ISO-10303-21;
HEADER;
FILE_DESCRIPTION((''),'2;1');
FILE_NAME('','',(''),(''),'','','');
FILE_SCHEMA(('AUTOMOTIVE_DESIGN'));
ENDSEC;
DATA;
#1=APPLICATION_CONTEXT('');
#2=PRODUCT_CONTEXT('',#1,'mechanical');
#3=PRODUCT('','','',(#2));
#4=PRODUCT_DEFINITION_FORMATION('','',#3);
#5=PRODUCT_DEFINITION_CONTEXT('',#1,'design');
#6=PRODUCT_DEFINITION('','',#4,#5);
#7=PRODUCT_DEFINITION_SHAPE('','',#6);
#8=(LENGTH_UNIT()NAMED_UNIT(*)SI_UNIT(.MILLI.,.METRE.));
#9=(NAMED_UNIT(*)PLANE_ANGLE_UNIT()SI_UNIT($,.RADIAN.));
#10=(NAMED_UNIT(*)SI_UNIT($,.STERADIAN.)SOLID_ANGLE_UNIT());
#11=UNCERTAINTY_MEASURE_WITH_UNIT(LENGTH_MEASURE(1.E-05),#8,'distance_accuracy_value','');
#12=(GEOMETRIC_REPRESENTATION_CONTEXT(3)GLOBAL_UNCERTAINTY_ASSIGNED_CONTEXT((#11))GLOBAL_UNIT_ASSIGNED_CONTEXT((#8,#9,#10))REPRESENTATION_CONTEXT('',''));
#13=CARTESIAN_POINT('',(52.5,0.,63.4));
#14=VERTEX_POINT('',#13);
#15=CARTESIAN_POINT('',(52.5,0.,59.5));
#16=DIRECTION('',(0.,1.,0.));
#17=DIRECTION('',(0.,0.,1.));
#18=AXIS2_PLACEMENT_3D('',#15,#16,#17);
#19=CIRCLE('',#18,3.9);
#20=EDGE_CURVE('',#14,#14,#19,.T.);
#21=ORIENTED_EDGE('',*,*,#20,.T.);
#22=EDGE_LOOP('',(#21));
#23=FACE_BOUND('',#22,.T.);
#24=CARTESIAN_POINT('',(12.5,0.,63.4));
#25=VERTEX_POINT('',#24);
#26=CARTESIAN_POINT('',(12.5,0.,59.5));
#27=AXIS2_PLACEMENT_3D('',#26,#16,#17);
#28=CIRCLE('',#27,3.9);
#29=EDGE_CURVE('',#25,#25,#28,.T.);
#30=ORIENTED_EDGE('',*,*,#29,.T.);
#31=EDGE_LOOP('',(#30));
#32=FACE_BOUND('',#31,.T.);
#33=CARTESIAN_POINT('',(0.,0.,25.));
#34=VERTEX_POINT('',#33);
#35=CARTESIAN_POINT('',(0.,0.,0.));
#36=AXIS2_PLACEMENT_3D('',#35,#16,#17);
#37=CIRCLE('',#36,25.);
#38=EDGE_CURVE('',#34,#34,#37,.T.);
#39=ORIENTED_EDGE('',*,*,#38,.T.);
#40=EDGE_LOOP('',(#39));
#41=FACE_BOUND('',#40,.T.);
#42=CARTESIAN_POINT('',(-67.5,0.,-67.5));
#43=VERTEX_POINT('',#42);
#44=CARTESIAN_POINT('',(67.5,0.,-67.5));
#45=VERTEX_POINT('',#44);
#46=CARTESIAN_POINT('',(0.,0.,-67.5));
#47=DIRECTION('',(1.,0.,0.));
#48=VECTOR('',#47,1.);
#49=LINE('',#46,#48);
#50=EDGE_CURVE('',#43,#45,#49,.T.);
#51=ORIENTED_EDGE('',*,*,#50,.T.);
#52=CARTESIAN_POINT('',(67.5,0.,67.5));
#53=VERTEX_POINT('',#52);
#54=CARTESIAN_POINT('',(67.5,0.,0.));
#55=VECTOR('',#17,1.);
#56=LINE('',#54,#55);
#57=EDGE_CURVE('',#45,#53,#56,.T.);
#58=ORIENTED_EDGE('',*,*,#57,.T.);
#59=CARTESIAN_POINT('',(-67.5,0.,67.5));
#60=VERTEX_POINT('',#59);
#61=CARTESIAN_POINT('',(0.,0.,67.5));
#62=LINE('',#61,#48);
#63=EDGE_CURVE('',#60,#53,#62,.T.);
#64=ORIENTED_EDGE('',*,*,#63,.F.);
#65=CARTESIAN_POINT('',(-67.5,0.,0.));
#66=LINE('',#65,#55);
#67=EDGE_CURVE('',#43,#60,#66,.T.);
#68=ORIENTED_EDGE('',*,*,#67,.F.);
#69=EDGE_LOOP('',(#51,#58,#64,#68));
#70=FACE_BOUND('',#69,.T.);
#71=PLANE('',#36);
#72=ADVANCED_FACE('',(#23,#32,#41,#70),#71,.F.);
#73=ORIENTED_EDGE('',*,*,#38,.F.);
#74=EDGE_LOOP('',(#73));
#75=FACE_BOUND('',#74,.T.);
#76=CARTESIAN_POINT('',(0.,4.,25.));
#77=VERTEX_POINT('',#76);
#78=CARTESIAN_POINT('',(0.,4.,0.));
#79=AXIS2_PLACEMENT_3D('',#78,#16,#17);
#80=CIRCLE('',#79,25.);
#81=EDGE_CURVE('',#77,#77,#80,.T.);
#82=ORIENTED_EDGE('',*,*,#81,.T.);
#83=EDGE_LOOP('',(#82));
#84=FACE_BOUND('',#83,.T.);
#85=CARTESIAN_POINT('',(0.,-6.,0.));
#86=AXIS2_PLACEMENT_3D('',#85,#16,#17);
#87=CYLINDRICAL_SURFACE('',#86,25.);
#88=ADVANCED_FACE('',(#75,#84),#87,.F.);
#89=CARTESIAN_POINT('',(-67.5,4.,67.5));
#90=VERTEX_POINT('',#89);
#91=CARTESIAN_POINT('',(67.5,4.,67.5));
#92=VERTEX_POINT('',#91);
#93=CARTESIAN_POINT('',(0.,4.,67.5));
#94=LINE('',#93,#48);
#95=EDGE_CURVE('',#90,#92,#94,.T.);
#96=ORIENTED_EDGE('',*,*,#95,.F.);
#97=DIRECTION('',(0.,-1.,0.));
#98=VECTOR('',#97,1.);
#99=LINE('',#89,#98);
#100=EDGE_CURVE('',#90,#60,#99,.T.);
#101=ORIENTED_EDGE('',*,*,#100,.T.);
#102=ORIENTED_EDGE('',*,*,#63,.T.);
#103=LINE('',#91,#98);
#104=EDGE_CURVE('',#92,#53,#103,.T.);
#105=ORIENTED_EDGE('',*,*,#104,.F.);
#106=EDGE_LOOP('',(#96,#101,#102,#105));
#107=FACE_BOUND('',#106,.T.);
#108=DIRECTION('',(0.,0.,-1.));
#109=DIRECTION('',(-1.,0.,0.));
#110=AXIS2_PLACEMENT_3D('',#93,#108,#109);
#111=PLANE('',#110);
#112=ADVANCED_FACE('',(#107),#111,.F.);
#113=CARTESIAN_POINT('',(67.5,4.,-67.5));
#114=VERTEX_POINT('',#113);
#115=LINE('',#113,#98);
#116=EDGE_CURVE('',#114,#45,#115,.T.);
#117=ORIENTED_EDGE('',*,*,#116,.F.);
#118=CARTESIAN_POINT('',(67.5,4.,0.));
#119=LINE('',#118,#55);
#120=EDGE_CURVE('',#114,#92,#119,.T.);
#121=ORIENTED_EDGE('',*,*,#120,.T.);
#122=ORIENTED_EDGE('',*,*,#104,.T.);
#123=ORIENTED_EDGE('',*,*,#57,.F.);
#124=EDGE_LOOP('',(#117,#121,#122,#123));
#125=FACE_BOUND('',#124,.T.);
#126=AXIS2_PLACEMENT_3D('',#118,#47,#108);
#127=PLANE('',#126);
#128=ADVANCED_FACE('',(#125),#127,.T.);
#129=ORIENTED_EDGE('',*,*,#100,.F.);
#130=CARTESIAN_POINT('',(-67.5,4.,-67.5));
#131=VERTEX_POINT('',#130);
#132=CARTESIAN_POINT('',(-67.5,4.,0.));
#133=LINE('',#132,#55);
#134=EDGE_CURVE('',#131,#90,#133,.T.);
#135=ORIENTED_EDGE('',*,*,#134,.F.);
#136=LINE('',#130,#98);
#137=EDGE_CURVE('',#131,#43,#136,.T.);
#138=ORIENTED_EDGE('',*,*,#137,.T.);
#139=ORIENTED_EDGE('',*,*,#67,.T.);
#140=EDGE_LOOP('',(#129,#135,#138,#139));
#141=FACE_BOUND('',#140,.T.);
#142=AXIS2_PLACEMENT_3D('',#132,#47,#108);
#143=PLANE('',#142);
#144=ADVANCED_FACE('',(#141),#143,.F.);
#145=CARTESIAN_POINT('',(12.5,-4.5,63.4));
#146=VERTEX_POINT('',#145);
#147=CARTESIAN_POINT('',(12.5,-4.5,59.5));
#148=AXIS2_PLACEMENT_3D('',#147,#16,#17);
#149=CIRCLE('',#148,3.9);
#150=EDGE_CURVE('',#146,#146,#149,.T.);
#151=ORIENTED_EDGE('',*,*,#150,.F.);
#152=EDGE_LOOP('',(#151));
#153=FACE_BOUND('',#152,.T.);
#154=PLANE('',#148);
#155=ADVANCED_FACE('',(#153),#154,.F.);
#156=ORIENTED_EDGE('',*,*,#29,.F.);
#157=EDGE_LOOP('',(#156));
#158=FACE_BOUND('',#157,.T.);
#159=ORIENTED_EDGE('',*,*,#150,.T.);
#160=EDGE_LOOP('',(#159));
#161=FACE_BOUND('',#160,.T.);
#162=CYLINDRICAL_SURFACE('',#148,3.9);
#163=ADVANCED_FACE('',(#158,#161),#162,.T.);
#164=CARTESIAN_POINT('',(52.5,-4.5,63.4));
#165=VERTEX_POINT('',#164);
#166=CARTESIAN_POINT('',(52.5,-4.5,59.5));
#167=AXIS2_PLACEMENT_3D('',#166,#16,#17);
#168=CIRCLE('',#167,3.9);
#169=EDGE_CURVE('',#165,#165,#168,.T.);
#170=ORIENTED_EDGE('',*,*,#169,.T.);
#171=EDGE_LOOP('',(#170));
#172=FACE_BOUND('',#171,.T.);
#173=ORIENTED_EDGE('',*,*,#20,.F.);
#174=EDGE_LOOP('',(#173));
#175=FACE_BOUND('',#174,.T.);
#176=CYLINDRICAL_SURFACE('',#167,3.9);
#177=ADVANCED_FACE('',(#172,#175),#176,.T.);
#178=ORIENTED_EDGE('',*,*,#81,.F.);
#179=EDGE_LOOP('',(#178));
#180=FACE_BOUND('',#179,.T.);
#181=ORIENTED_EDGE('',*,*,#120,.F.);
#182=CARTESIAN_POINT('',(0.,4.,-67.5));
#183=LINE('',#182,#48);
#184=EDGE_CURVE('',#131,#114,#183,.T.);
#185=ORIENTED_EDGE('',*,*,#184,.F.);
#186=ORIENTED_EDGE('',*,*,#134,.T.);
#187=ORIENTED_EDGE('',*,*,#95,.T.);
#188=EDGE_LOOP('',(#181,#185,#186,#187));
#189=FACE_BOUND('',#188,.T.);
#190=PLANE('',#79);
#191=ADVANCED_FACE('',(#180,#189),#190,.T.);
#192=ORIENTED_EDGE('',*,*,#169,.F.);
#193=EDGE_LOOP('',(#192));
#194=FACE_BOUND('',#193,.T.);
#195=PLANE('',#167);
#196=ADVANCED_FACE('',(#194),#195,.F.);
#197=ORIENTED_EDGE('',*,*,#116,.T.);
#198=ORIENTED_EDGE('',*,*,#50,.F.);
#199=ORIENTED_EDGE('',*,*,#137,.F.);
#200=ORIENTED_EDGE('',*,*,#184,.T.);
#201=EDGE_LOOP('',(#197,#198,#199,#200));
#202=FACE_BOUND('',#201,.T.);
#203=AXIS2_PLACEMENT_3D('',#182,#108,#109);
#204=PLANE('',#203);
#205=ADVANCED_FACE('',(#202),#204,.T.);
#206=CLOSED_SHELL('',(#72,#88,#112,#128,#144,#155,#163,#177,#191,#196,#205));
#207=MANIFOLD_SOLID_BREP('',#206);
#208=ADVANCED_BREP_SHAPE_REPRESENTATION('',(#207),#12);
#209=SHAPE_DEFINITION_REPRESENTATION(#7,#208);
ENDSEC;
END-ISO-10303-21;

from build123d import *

# Parameters (mm, degrees)
SKETCH1_W           = 135
SKETCH1_H           = 135
BOSS_EXTRUDE1_DEPTH = 4
SKETCH1_3_R         = 3.9
BOSS_EXTRUDE2_DEPTH = 4.5
SKETCH2_R           = 25
CUT_EXTRUDE1_DEPTH  = 10


with BuildPart() as part:
    # Sketch1 → Boss-Extrude1 (new body)
    with BuildSketch(Plane(origin=(0, 0, 0), x_dir=(1, 0, 0), z_dir=(0, 1, 0))):
        Rectangle(SKETCH1_W, SKETCH1_H)
    extrude(amount=BOSS_EXTRUDE1_DEPTH)

    # Sketch1<3> → Boss-Extrude2 (add)
    with BuildSketch(Plane(origin=(0, 0, 0), x_dir=(1, 0, 0), z_dir=(0, 1, 0))):
        with Locations((12.5, -59.5)):
            Circle(SKETCH1_3_R)
        with Locations((52.5, -59.5)):
            Circle(SKETCH1_3_R)
    extrude(amount=-BOSS_EXTRUDE2_DEPTH)

    # Sketch2 → Cut-Extrude1 (cut)
    with BuildSketch(Plane(origin=(0, 4, 0), x_dir=(1, 0, 0), z_dir=(0, 1, 0))):
        Circle(SKETCH2_R)
    extrude(amount=-CUT_EXTRUDE1_DEPTH, mode=Mode.SUBTRACT)


solid = part.part
